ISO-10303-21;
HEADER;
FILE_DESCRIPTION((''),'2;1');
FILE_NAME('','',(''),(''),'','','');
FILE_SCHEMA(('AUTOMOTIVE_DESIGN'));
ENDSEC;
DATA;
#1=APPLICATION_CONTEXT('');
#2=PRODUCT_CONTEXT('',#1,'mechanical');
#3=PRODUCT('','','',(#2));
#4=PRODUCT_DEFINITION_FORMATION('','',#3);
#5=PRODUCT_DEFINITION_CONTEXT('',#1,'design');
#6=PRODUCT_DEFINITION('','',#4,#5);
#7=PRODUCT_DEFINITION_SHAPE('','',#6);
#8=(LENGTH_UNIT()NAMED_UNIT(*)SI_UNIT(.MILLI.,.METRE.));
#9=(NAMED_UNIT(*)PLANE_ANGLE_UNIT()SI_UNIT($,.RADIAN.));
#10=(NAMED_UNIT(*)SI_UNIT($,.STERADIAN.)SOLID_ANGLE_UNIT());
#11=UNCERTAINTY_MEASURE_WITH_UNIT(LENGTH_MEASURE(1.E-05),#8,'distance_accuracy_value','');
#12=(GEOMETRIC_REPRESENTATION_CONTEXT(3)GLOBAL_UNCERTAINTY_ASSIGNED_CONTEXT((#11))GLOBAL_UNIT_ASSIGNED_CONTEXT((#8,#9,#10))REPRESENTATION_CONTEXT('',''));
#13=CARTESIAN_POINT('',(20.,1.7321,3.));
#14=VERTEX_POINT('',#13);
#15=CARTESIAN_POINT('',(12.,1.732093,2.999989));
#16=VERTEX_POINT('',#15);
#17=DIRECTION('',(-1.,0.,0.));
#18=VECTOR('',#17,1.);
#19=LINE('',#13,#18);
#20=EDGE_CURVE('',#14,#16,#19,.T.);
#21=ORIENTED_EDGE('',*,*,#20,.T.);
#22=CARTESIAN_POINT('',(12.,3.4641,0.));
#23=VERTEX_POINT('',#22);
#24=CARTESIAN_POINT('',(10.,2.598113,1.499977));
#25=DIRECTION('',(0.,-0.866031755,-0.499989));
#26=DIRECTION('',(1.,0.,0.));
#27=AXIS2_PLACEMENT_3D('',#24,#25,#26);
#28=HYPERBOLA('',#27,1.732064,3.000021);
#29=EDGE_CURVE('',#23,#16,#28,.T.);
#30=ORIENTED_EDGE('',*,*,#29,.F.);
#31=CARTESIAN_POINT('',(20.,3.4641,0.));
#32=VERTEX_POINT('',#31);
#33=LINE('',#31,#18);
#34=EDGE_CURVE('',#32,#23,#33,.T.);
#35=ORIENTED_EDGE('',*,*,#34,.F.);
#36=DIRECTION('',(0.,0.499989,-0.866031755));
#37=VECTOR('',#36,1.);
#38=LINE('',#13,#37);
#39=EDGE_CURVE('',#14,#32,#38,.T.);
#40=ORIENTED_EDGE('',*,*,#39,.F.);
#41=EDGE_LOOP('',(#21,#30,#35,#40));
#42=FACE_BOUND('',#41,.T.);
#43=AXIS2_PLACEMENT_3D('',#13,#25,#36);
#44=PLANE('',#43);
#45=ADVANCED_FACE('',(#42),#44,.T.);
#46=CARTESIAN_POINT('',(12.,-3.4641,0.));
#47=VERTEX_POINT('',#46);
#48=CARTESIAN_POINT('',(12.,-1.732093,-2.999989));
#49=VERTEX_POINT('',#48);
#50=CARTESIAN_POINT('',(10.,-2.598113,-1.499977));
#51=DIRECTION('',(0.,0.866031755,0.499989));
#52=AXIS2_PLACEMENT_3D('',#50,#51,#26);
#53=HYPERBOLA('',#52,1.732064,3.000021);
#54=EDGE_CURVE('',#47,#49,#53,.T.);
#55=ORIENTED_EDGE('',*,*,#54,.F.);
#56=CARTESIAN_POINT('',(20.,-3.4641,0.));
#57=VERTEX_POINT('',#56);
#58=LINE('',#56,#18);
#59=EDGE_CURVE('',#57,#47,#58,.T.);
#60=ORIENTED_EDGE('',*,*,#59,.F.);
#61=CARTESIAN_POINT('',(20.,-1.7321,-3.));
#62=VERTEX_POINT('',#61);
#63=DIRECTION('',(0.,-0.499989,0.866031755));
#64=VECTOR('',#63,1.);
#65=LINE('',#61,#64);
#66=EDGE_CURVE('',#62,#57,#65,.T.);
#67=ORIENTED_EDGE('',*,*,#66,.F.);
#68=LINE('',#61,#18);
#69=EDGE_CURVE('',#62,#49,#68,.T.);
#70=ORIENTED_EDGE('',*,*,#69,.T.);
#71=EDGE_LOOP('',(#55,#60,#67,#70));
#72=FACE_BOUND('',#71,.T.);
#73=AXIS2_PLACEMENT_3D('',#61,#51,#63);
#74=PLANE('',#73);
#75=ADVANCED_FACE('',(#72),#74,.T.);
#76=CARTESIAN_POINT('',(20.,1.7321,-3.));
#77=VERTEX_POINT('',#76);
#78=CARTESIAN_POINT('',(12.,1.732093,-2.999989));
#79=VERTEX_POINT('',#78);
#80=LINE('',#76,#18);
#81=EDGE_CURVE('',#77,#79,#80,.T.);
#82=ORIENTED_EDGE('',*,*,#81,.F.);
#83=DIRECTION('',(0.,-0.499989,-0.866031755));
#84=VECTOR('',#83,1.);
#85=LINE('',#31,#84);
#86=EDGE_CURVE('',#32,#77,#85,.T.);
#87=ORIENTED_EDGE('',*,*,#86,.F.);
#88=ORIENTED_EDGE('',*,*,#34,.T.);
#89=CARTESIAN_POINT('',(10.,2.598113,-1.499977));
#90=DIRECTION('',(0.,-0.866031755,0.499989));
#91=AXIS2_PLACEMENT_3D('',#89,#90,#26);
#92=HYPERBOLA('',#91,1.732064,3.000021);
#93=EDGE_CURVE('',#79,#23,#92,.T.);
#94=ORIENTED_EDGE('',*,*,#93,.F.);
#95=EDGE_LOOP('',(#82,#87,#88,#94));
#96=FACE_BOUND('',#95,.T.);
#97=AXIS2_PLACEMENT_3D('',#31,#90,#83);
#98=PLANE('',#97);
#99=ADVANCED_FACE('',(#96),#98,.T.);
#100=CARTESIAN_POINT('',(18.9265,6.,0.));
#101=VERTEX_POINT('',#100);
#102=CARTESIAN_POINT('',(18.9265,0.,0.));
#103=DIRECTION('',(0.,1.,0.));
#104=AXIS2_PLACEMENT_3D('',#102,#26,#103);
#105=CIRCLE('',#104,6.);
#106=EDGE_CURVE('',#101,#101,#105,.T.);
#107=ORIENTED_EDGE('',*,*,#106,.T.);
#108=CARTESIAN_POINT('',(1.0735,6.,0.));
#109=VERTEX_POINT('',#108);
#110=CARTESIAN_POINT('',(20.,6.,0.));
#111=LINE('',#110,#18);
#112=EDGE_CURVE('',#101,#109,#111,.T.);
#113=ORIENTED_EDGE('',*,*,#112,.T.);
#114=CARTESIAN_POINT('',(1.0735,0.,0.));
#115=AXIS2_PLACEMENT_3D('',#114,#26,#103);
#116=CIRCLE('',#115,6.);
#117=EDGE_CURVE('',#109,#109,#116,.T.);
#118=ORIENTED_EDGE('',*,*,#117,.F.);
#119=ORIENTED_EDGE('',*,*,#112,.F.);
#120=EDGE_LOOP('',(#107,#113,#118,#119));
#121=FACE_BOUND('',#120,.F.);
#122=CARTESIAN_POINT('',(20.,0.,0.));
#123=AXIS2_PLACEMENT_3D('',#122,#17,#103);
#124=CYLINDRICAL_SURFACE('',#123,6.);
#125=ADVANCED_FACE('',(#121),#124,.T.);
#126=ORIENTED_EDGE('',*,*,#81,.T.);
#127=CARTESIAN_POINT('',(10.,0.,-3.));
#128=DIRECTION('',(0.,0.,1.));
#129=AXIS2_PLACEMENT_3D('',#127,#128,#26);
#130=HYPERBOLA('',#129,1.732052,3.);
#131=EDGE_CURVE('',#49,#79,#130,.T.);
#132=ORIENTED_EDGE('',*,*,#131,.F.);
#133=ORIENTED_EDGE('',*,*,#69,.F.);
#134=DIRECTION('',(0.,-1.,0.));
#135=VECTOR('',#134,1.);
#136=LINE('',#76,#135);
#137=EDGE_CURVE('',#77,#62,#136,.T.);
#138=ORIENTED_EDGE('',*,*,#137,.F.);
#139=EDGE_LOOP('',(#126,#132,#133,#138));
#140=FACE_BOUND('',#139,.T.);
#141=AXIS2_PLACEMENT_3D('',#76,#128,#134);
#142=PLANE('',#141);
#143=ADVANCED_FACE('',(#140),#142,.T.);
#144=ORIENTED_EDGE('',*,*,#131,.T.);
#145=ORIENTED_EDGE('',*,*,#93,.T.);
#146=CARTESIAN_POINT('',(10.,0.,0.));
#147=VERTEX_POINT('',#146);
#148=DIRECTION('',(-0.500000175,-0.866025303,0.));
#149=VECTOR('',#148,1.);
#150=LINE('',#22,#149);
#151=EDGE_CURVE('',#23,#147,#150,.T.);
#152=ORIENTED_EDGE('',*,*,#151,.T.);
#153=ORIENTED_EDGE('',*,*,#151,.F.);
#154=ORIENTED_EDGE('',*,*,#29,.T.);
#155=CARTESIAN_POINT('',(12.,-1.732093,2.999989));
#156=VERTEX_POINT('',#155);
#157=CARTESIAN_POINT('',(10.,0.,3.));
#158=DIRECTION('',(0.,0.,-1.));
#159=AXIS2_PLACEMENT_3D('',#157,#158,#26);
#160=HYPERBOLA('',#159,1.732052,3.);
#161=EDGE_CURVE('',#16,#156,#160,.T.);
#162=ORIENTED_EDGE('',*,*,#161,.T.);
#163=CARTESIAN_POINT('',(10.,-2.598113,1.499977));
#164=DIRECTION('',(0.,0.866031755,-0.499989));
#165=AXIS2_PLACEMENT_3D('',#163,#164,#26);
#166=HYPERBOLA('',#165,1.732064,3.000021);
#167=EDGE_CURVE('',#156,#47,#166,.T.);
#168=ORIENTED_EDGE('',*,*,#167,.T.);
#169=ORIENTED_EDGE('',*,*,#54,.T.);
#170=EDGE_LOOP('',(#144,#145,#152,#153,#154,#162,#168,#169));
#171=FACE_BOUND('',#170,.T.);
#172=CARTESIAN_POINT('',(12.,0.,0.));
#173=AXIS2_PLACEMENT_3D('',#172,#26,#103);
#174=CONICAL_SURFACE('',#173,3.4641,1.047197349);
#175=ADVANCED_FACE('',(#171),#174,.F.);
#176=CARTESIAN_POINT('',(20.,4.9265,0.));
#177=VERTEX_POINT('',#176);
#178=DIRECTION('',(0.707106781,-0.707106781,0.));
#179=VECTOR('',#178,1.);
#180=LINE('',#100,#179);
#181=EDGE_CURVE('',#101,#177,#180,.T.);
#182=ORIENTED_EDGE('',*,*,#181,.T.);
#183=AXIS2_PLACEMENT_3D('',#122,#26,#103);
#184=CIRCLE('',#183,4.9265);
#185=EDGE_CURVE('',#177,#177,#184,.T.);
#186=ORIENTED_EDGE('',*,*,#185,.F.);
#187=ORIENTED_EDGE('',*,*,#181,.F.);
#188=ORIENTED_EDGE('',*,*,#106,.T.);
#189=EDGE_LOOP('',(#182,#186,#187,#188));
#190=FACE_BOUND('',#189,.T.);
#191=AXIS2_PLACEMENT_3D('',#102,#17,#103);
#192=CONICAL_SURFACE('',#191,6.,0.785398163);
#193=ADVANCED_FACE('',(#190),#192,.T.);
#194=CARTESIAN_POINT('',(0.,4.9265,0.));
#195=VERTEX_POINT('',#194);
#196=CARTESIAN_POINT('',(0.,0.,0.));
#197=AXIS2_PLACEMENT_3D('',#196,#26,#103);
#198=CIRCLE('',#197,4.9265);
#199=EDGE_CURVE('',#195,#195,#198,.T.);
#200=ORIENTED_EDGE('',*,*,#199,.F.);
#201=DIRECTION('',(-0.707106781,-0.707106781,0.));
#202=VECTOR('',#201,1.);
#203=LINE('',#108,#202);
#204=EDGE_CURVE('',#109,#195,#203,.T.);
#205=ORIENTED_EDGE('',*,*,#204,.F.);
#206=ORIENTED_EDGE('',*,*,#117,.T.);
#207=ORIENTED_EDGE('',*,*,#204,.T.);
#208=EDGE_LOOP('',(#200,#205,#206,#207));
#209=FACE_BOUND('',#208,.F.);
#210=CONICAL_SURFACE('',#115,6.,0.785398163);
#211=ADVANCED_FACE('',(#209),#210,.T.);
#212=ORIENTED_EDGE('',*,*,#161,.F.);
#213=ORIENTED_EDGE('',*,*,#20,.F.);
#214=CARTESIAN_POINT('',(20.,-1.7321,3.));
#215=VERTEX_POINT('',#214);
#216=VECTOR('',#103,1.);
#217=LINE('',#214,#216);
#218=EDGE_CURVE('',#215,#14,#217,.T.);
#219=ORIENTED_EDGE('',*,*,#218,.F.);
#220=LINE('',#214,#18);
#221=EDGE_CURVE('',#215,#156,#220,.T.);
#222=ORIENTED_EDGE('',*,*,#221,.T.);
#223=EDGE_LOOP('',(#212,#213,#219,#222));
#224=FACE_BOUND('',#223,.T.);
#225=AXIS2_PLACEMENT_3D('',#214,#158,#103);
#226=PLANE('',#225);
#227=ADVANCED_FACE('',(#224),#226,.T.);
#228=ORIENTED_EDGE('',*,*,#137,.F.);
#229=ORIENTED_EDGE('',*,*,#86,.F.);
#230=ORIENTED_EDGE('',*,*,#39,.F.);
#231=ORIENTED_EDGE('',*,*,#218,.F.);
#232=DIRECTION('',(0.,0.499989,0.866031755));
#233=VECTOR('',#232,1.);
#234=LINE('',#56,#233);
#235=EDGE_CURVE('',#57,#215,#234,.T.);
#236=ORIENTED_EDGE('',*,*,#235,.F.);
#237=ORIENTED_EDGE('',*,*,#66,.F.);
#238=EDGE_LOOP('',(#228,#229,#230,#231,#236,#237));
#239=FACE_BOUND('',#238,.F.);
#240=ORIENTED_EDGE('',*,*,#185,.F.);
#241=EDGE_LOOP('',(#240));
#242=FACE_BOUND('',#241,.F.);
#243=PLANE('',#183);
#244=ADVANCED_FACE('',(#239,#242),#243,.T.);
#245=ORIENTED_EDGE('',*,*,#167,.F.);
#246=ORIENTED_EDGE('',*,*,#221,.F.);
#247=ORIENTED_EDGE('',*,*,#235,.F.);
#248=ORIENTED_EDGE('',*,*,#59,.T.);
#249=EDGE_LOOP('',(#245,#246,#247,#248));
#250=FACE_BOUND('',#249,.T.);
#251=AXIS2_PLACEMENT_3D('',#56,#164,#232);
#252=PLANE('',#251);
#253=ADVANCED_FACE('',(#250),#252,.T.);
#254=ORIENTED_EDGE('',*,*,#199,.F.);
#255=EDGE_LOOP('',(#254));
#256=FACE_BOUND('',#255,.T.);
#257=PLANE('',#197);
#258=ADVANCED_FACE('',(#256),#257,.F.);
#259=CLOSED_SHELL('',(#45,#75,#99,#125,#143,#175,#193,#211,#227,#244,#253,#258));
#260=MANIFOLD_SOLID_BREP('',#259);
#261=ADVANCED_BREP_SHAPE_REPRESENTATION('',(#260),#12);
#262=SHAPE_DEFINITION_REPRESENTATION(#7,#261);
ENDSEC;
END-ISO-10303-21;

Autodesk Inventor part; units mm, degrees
ref_plane "YZ Plane" through (0, 0, 0) normal (1, 0, 0) x (0, 1, 0)
ref_plane "XZ Plane" through (0, 0, 0) normal (0, 1, 0) x (-1, 0, 0)
sketch "Sketch1" plane through (0, 0, 0) normal (0, 0, 1) x (1, 0, 0)
  line L0 (0, 0) -> (10, 0)
  line L1 (20, 3.4641) -> (20, 6)
  line L2 (20, 6) -> (0, 6)
  line L3 (20, 3.4641) -> (12, 3.4641)
  line L4 (12, 3.4641) -> (10, 0)
  line L5 (0, -1.2) -> (0, 7.2) projected
  line L6 (0, 6) -> (0, 0)
  dimension "d0" = 8
  dimension "d1" = 60
  dimension "d2" = 12
  dimension "d3" = 6.9282
  dimension "d5" = 20
revolve "Body" add sketch "Sketch1" angle 360 about axis through (0, 0, 0) along (1, 0, 0)
sketch "Sketch2" plane through (20, 0, 0) normal (1, 0, 0) x (0, 1, 0)
  circle A0 centre (0, 0) radius 3.4641 projected
  line L0 (-1.7321, 3) -> (1.7321, 3)
  line L1 (1.7321, 3) -> (3.4641, 0)
  line L2 (3.4641, 0) -> (1.7321, -3)
  line L3 (1.7321, -3) -> (-1.7321, -3)
  line L4 (-1.7321, -3) -> (-3.4641, 0)
  line L5 (-3.4641, 0) -> (-1.7321, 3)
  point P0 (0, 0)
  point P1 (0, 0)
extrude "Slot" add sketch "Sketch2" against normal up to next contours L1 A0 | A0 L2 | L0 A0 | A0 L3 | L5 A0 | A0 L4
thread "Thread" size "M12x1.75" class "6g" standard "ISO Metric profile" length 20
chamfer "Chamfer1" distance 1.0735 angle 45 1 edges at (20, -6, 0) measured on face at (13.3333, 5.9805, -0.4828)
chamfer "Chamfer2" distance 1.0735 angle 45 1 edges at (0, -6, 0) measured on face at (6.3088, 5.9805, -0.4828)
ref_plane "Work Plane1" through (10, 0, 0) normal (0, 0, 1) x (1, 0, 0)
equation "\"d8\" = NLG"
equation "\"d10\" = -0.5 * GD1 + 0.5 * NND"
equation "\"d11\" = FAWI"
equation "\"d34\" = -0.5 * GD1 + 0.5 * NND"
equation "\"d12\" = -0.5 * GD1 + 0.5 * NND"
equation "\"d13\" = FAWI"
equation "\"d35\" = -0.5 * GD1 + 0.5 * NND"
equation "\"d0\" = INTI"
equation "\"d2\" = NND"
equation "\"d3\" = 1.1547 * SW"
equation "\"d5\" = NLG"
equation "\"NND\" = 12"
equation "\"NLG\" = 20"
equation "\"INTI\" = 8"
equation "\"FAWI\" = 45deg"
equation "\"SW\" = 6"
equation "\"GD1\" = THREADDIA - 1.2269 * PTC"
equation "\"SPD\" = 8.5"
equation "\"GUL\" = 0.61345 * PTC"
equation "\"TOA\" = 30deg"
equation "\"THREADDIA\" = 12"
equation "\"PTC\" = 1.75"
equation "\"FAWI1\" = 45deg"
equation "\"GAL\" = 0.61345 * PTC"
equation "\"E0\" = 1.155 * SW"
properties part number "DIN 913 - M12 x 20" material "Steel, Mild"
